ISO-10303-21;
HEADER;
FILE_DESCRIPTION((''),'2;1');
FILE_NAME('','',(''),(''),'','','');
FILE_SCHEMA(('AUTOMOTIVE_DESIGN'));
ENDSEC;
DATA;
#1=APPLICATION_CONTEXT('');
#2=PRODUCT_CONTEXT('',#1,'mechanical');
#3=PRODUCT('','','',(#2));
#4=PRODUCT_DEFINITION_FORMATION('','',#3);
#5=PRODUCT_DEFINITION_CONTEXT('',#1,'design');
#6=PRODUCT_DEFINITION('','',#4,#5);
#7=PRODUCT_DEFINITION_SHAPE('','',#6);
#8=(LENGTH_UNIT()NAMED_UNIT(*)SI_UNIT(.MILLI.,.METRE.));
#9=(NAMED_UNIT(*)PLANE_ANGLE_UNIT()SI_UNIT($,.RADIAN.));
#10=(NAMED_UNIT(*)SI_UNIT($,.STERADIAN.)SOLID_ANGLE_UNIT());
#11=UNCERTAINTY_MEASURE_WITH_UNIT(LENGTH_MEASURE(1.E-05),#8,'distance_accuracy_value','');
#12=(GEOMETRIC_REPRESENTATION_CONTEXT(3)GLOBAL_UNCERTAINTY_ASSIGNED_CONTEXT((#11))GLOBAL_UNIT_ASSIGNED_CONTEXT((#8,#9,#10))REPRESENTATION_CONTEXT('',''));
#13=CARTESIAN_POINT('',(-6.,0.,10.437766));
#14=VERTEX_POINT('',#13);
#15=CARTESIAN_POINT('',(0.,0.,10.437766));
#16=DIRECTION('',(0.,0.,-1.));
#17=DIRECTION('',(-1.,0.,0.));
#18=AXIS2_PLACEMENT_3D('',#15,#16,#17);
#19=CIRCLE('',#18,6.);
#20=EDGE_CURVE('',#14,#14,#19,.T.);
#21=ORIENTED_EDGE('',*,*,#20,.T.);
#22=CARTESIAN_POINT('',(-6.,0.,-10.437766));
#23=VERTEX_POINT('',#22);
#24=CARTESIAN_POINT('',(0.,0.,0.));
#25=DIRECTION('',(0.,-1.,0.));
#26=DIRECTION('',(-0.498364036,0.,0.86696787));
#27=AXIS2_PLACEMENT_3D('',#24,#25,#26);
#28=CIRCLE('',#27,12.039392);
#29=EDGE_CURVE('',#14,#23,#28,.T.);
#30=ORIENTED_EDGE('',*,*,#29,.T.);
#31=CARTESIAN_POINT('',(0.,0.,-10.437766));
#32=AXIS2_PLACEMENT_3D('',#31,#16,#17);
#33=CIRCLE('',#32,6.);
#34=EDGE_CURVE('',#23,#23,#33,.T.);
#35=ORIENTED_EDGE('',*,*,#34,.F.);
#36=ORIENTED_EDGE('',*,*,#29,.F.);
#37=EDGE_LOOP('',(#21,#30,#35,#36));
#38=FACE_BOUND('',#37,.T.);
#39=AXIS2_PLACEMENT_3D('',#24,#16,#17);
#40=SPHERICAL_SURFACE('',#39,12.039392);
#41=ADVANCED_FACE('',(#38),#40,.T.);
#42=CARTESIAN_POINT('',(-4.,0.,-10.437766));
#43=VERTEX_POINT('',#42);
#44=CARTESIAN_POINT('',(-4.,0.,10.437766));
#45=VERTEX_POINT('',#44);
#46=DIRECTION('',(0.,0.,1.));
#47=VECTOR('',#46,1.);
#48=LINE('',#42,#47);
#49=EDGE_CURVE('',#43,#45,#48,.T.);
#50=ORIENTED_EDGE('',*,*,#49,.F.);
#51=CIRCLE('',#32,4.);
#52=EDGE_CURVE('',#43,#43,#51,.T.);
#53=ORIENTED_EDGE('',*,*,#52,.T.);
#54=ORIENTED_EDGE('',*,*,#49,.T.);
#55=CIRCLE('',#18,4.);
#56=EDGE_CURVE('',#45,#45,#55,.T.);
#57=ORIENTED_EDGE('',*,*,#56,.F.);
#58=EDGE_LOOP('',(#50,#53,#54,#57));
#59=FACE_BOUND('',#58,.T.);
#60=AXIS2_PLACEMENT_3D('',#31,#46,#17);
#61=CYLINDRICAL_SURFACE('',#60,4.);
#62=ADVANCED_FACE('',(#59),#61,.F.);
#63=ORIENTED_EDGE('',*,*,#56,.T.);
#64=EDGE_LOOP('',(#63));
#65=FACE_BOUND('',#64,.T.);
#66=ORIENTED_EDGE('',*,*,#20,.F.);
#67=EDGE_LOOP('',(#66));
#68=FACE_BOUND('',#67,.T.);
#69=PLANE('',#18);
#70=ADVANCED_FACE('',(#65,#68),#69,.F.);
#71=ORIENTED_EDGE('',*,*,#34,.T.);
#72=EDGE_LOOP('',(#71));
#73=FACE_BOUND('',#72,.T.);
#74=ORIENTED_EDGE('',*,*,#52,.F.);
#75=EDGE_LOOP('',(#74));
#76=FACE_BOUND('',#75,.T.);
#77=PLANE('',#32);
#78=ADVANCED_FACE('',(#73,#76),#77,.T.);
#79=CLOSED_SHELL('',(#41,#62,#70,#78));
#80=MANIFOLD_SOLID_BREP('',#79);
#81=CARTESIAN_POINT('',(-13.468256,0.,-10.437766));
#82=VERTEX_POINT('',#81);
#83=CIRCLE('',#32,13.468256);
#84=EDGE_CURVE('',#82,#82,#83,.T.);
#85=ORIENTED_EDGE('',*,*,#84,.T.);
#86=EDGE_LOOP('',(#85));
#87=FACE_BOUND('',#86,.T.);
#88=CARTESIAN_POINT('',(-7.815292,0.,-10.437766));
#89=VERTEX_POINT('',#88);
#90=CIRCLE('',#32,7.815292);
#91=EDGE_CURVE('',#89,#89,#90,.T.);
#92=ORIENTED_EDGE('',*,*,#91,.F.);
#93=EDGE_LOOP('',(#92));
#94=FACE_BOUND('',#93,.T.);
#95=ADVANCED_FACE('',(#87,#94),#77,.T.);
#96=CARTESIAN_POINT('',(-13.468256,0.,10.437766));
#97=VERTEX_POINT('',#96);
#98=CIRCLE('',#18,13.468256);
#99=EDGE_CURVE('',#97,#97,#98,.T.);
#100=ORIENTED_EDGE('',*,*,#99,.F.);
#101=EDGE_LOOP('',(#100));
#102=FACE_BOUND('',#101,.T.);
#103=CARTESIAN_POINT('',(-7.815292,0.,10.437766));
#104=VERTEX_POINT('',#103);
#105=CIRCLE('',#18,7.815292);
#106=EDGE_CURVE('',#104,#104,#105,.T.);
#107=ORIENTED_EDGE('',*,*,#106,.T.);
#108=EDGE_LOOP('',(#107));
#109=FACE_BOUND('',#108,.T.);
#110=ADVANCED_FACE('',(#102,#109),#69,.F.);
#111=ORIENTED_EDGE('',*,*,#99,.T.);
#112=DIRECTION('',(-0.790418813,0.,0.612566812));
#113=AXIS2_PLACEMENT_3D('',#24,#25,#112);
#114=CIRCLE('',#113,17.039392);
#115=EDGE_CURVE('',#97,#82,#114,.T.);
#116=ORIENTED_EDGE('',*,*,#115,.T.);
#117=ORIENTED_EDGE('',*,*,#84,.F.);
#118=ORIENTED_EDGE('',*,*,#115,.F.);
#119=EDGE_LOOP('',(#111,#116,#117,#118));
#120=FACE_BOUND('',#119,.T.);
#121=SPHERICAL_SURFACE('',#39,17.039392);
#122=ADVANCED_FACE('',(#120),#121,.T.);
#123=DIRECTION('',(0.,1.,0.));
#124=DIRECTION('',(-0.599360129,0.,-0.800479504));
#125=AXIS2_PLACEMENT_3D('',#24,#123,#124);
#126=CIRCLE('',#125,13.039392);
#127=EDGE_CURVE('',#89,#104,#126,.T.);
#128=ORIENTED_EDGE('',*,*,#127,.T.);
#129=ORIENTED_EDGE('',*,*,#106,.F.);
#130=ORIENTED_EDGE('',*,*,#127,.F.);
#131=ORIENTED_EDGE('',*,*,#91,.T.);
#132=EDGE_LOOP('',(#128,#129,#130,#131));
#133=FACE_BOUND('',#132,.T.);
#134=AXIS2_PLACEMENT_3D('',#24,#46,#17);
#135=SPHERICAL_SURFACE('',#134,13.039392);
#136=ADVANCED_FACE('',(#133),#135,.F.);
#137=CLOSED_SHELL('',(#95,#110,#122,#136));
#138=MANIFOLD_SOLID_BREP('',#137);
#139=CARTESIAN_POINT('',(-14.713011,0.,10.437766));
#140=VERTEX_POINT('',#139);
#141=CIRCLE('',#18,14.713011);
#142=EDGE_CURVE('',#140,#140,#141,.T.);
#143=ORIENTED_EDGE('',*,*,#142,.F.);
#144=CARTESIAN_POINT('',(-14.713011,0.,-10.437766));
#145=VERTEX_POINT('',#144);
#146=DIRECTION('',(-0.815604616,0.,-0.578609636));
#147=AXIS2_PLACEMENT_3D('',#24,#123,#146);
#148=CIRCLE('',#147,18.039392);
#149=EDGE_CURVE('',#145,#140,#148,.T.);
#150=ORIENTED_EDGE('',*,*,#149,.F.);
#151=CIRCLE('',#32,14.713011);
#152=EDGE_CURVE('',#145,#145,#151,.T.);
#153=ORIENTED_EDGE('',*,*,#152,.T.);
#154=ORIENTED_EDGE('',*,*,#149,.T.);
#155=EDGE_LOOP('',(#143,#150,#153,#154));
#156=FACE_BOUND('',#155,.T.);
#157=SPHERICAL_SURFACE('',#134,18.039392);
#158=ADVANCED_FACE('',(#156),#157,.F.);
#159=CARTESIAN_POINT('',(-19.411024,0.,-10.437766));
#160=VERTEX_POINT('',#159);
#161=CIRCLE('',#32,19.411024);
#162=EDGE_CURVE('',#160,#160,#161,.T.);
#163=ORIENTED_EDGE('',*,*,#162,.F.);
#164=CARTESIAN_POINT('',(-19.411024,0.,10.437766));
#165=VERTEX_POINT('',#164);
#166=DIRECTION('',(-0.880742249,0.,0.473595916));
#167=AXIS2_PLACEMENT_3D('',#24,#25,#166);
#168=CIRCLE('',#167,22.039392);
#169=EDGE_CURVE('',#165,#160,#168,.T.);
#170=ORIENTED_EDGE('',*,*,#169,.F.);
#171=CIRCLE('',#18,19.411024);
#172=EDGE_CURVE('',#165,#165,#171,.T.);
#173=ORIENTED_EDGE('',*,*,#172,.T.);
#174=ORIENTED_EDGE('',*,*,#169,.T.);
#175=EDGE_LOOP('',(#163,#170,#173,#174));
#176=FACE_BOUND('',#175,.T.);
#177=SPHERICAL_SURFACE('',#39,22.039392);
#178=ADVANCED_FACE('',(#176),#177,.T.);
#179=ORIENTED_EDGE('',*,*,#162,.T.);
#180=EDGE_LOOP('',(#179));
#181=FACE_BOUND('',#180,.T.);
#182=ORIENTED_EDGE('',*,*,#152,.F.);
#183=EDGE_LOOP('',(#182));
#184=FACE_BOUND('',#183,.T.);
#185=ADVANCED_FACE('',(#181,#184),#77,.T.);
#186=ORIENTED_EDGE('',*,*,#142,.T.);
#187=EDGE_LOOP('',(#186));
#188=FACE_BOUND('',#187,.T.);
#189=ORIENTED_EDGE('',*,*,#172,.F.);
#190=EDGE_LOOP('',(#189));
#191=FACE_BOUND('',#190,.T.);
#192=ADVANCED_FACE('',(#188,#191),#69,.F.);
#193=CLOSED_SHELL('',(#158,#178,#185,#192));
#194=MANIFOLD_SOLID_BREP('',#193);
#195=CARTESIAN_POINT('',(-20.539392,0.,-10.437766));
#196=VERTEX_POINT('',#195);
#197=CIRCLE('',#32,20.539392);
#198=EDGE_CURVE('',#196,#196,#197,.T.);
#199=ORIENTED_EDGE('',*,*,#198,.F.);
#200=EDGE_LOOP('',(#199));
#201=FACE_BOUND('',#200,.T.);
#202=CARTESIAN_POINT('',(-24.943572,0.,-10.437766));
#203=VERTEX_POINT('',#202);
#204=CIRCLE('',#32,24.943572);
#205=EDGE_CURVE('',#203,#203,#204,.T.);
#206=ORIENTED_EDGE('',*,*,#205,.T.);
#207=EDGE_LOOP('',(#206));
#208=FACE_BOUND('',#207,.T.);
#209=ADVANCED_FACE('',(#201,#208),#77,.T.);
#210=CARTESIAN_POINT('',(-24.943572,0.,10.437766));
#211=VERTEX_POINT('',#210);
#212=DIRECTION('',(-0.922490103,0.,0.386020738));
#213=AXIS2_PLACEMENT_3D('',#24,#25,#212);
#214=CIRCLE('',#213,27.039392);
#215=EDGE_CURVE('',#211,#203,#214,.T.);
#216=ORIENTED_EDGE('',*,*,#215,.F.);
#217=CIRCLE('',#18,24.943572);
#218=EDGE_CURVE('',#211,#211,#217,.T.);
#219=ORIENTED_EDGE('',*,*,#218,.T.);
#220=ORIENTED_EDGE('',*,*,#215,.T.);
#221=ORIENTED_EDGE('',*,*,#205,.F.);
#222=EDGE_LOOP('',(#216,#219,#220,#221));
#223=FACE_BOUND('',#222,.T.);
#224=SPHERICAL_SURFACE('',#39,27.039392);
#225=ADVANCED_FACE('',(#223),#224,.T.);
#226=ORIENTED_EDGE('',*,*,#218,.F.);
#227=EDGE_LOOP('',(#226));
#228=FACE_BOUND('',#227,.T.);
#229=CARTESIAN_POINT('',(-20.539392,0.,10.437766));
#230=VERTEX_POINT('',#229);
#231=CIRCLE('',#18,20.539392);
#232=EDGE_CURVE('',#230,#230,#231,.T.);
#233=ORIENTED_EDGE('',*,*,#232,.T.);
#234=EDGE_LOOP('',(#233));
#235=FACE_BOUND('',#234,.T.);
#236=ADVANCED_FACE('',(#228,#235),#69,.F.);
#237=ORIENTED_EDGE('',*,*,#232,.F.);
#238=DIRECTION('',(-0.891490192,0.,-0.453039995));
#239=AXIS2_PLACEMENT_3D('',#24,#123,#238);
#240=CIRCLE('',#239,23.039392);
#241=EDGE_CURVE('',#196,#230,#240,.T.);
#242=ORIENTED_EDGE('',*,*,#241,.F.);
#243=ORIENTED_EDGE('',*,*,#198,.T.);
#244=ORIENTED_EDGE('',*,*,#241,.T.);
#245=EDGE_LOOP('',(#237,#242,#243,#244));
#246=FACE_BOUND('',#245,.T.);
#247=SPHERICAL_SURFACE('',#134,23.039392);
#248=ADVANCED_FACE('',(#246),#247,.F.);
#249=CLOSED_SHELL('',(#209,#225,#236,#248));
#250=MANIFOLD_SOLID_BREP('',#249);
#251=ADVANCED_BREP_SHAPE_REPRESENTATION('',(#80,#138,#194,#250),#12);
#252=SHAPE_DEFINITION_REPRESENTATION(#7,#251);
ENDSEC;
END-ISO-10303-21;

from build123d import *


with BuildPart() as f1:
    # F0 (on Front) → F1 (revolve)
    with BuildSketch(Plane.XZ):
        with BuildLine():
            ThreePointArc((-7.815291679, -10.4377660479), (-13.0393920142, 0), (-7.815291679, 10.4377660479))
            Line((-7.815291679, 10.4377660479), (-13.4682560171, 10.4377660479))
            ThreePointArc((-13.4682560171, 10.4377660479), (-17.0393920142, 0), (-13.4682560171, -10.4377660479))
            Line((-13.4682560171, -10.4377660479), (-7.815291679, -10.4377660479))
        make_face()
    revolve(axis=Axis((0, 0, 0), (0, 0, -1)))


with BuildPart() as f1b:
    # F0 (on Front) → F1, piece 2 (revolve)
    with BuildSketch(Plane.XZ):
        with BuildLine():
            ThreePointArc((-14.7130113903, -10.4377660479), (-18.0393920142, 0), (-14.7130113903, 10.4377660479))
            Line((-14.7130113903, 10.4377660479), (-19.4110236794, 10.4377660479))
            ThreePointArc((-19.4110236794, 10.4377660479), (-22.0393920142, 0), (-19.4110236794, -10.4377660479))
            Line((-19.4110236794, -10.4377660479), (-14.7130113903, -10.4377660479))
        make_face()
    revolve(axis=Axis((0, 0, 0), (0, 0, -1)))


with BuildPart() as f1c:
    # F0 (on Front) → F1, piece 3 (revolve)
    with BuildSketch(Plane.XZ):
        with BuildLine():
            ThreePointArc((-20.5393920142, -10.4377660479), (-23.0393920142, 0), (-20.5393920142, 10.4377660479))
            Line((-20.5393920142, 10.4377660479), (-24.943571525, 10.4377660479))
            ThreePointArc((-24.943571525, 10.4377660479), (-27.0393920142, 0), (-24.943571525, -10.4377660479))
            Line((-24.943571525, -10.4377660479), (-20.5393920142, -10.4377660479))
        make_face()
    revolve(axis=Axis((0, 0, 0), (0, 0, -1)))


with BuildPart() as f1d:
    # F0 (on Front) → F1, piece 4 (revolve)
    with BuildSketch(Plane.XZ):
        with BuildLine():
            Line((-4, 10.4377660479), (-6, 10.4377660479))
            ThreePointArc((-6, 10.4377660479), (-12.0393920142, 0), (-6, -10.4377660479))
            Line((-6, -10.4377660479), (-4, -10.4377660479))
            Line((-4, -10.4377660479), (-4, 10.4377660479))
        make_face()
    revolve(axis=Axis((0, 0, 0), (0, 0, -1)))


solid = Compound([f1.part, f1b.part, f1c.part, f1d.part])
